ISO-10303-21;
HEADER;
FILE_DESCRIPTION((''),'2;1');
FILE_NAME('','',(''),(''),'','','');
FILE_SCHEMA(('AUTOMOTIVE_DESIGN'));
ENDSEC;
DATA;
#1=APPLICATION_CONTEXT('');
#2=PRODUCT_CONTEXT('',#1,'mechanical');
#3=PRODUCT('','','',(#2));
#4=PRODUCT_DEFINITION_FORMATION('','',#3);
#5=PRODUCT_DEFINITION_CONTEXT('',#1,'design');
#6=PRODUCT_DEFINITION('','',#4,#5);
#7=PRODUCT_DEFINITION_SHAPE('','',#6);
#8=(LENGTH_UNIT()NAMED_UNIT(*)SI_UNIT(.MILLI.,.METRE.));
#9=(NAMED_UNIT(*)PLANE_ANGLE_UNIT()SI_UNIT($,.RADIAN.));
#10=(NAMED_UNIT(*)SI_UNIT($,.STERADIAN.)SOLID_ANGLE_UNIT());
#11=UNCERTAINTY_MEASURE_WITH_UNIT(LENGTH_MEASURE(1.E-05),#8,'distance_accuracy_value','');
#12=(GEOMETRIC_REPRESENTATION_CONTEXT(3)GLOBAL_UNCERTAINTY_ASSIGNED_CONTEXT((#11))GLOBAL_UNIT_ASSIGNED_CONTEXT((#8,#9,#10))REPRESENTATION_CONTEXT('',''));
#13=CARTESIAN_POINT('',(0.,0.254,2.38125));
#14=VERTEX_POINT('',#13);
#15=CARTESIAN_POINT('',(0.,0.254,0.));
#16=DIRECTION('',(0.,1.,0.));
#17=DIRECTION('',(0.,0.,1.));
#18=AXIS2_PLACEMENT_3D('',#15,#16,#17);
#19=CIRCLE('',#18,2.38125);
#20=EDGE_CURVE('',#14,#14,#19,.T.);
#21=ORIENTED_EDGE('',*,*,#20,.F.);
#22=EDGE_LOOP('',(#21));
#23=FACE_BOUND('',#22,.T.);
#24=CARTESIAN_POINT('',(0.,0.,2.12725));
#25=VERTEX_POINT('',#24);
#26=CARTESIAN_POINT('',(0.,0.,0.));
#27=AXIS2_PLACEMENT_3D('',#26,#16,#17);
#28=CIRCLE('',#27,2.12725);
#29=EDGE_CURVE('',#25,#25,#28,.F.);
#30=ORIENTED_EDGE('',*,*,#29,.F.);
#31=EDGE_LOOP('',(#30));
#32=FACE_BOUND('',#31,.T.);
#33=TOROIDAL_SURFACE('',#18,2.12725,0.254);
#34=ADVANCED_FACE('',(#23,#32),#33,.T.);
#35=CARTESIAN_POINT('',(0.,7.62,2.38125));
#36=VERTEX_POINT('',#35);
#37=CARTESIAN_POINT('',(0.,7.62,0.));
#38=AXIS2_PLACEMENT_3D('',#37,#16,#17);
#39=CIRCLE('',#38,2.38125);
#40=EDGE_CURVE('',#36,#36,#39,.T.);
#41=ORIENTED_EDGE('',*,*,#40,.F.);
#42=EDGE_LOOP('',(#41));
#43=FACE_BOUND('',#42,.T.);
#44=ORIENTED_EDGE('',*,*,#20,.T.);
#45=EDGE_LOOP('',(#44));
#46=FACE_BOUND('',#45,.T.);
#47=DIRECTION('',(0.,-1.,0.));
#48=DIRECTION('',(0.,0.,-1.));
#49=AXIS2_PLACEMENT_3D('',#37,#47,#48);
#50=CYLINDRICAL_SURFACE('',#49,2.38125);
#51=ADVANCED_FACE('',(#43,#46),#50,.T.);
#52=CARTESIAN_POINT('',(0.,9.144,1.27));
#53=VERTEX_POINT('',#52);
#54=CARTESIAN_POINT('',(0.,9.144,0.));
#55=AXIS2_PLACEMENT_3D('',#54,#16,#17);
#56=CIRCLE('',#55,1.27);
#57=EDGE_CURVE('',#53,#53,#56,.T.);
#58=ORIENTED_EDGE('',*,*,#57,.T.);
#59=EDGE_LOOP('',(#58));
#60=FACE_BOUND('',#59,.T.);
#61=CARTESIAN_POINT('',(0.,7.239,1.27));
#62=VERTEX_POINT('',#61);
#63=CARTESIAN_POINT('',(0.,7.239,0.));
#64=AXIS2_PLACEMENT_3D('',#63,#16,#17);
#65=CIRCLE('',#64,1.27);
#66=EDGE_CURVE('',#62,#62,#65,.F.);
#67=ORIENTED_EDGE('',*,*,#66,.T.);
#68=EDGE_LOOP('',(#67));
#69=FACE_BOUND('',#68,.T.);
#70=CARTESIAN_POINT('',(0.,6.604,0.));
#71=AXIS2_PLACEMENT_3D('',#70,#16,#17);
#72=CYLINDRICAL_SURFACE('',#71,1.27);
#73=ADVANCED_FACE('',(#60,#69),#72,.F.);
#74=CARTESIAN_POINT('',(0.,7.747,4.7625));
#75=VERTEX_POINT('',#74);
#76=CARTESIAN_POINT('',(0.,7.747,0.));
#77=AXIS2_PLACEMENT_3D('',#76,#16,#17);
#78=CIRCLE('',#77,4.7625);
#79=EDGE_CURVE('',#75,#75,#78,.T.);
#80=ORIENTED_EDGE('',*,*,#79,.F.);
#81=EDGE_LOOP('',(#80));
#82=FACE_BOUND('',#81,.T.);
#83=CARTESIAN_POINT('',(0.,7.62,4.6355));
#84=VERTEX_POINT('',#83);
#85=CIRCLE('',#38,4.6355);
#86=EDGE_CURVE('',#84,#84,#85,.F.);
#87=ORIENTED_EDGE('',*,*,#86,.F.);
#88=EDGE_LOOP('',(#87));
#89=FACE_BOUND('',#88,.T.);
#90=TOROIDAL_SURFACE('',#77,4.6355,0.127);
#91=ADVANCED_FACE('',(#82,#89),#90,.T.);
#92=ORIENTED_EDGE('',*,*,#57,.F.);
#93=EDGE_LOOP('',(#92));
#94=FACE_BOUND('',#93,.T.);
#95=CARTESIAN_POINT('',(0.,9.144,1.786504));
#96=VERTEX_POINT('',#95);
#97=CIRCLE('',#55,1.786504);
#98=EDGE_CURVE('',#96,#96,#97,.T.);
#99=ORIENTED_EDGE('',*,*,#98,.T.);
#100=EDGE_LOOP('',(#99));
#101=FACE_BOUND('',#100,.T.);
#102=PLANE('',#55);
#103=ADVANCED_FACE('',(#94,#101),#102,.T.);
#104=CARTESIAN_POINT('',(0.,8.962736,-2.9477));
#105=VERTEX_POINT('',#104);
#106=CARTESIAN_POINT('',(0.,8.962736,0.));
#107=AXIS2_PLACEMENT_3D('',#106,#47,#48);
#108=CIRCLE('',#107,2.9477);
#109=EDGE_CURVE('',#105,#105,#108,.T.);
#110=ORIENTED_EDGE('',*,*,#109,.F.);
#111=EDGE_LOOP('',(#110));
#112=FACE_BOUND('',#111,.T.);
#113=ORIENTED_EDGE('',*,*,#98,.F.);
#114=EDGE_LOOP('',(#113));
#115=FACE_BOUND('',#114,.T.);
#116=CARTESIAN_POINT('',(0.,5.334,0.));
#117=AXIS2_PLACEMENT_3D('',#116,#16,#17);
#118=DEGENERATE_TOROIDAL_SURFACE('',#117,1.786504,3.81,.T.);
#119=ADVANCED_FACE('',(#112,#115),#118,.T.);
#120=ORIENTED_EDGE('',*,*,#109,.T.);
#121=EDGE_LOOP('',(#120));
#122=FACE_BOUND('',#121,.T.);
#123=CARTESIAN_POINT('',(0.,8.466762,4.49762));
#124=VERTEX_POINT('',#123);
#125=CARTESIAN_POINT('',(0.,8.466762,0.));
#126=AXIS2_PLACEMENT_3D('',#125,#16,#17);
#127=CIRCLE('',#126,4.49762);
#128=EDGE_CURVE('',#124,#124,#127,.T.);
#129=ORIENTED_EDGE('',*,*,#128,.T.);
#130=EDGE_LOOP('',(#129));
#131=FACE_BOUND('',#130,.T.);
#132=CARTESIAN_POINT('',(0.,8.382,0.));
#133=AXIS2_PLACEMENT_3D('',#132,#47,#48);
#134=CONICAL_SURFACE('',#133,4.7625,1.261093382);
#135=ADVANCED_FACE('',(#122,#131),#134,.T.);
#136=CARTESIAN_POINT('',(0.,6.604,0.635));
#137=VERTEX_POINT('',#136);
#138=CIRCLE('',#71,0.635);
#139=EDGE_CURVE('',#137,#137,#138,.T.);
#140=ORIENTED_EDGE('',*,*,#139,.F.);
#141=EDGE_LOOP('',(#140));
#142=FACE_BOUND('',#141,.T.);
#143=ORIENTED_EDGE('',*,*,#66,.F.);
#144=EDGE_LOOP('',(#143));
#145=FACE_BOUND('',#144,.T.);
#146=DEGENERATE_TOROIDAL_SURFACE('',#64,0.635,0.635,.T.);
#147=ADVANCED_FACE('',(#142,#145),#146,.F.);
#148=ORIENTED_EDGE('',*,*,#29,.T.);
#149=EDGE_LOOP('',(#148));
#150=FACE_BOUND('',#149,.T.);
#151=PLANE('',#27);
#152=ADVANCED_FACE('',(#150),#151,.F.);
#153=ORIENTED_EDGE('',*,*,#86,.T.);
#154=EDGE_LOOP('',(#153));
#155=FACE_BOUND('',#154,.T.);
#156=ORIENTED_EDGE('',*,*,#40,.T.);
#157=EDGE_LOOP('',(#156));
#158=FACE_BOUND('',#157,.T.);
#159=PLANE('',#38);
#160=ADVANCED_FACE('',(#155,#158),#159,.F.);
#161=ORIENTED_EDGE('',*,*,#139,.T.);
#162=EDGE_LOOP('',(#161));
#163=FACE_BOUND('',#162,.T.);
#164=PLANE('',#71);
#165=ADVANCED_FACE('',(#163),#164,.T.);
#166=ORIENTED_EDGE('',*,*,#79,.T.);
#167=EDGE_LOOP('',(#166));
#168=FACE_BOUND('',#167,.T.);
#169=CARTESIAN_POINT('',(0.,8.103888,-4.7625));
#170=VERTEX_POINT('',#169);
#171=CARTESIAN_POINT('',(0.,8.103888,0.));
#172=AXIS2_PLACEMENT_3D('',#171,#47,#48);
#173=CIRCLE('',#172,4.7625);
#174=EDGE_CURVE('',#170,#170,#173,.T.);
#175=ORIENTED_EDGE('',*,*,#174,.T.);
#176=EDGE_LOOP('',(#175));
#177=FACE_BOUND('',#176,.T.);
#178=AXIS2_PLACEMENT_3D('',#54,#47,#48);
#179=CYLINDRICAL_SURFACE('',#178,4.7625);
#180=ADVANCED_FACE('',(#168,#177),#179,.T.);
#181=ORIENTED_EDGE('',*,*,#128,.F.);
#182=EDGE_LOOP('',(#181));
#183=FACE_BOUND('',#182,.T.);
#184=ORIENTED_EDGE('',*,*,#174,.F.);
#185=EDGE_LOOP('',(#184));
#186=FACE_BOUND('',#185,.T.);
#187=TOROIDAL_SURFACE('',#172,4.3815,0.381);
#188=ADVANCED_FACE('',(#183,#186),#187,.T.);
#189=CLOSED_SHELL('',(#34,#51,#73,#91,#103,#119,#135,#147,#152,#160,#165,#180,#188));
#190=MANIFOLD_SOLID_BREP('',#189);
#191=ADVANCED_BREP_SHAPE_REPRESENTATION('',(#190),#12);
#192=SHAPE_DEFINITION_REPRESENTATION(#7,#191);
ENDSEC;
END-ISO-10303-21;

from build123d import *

# Parameters (mm, degrees)
SKETCH1_R           = 2.38125
BOSS_EXTRUDE1_DEPTH = 7.62
SKETCH2_R           = 4.7625
BOSS_EXTRUDE2_DEPTH = 1.524
FILLET1_R           = 0.254
FILLET2_R           = 0.381
FILLET3_R           = 0.127
FILLET4_R           = 3.81
SKETCH4_R           = 1.27
CUT_EXTRUDE1_DEPTH  = 2.54
FILLET5_R           = 0.635


with BuildPart() as part:
    # Sketch1 → Boss-Extrude1 (new body)
    with BuildSketch(Plane(origin=(0, 0, 0), x_dir=(1, 0, 0), z_dir=(0, 1, 0))):
        Circle(SKETCH1_R)
    extrude(amount=BOSS_EXTRUDE1_DEPTH)

    # Sketch2 → Boss-Extrude2 (add)
    with BuildSketch(Plane(origin=(0, 7.62, 0), x_dir=(1, 0, 0), z_dir=(0, 1, 0))):
        Circle(SKETCH2_R)
    extrude(amount=BOSS_EXTRUDE2_DEPTH)

    # Fillet1
    fillet1_edges = [part.edges().sort_by_distance(p)[0] for p in [
        (-2.38125, 0, 0),
    ]]
    fillet(fillet1_edges, radius=FILLET1_R)

    # Sketch3 → Cut-Revolve1 (revolve, cut)
    with BuildSketch(Plane(origin=(0, 0, 0), x_dir=(0, 0, -1), z_dir=(1, 0, 0))):
        Polygon((-2.38125, 9.144), (-4.7625, 8.382), (-4.7625, 9.144), align=None)
    revolve(axis=Axis((0, 9.144, 0), (0, -1, 0)), mode=Mode.SUBTRACT)

    # Fillet2
    fillet2_edges = [part.edges().sort_by_distance(p)[0] for p in [
        (3.367596045, 8.382, 3.367596045),
    ]]
    fillet(fillet2_edges, radius=FILLET2_R)

    # Fillet3
    fillet3_edges = [part.edges().sort_by_distance(p)[0] for p in [
        (-4.7625, 7.62, 0),
    ]]
    fillet(fillet3_edges, radius=FILLET3_R)

    # Fillet4
    fillet4_edges = [part.edges().sort_by_distance(p)[0] for p in [
        (0, 9.144, -2.38125),
    ]]
    fillet(fillet4_edges, radius=FILLET4_R)

    # Sketch4 → Cut-Extrude1 (cut)
    with BuildSketch(Plane(origin=(0, 9.144, 0), x_dir=(1, 0, 0), z_dir=(0, 1, 0))):
        Circle(SKETCH4_R)
    extrude(amount=-CUT_EXTRUDE1_DEPTH, mode=Mode.SUBTRACT)

    # Fillet5
    fillet5_edges = [part.edges().sort_by_distance(p)[0] for p in [
        (-1.27, 6.604, 0),
    ]]
    fillet(fillet5_edges, radius=FILLET5_R)


solid = part.part
